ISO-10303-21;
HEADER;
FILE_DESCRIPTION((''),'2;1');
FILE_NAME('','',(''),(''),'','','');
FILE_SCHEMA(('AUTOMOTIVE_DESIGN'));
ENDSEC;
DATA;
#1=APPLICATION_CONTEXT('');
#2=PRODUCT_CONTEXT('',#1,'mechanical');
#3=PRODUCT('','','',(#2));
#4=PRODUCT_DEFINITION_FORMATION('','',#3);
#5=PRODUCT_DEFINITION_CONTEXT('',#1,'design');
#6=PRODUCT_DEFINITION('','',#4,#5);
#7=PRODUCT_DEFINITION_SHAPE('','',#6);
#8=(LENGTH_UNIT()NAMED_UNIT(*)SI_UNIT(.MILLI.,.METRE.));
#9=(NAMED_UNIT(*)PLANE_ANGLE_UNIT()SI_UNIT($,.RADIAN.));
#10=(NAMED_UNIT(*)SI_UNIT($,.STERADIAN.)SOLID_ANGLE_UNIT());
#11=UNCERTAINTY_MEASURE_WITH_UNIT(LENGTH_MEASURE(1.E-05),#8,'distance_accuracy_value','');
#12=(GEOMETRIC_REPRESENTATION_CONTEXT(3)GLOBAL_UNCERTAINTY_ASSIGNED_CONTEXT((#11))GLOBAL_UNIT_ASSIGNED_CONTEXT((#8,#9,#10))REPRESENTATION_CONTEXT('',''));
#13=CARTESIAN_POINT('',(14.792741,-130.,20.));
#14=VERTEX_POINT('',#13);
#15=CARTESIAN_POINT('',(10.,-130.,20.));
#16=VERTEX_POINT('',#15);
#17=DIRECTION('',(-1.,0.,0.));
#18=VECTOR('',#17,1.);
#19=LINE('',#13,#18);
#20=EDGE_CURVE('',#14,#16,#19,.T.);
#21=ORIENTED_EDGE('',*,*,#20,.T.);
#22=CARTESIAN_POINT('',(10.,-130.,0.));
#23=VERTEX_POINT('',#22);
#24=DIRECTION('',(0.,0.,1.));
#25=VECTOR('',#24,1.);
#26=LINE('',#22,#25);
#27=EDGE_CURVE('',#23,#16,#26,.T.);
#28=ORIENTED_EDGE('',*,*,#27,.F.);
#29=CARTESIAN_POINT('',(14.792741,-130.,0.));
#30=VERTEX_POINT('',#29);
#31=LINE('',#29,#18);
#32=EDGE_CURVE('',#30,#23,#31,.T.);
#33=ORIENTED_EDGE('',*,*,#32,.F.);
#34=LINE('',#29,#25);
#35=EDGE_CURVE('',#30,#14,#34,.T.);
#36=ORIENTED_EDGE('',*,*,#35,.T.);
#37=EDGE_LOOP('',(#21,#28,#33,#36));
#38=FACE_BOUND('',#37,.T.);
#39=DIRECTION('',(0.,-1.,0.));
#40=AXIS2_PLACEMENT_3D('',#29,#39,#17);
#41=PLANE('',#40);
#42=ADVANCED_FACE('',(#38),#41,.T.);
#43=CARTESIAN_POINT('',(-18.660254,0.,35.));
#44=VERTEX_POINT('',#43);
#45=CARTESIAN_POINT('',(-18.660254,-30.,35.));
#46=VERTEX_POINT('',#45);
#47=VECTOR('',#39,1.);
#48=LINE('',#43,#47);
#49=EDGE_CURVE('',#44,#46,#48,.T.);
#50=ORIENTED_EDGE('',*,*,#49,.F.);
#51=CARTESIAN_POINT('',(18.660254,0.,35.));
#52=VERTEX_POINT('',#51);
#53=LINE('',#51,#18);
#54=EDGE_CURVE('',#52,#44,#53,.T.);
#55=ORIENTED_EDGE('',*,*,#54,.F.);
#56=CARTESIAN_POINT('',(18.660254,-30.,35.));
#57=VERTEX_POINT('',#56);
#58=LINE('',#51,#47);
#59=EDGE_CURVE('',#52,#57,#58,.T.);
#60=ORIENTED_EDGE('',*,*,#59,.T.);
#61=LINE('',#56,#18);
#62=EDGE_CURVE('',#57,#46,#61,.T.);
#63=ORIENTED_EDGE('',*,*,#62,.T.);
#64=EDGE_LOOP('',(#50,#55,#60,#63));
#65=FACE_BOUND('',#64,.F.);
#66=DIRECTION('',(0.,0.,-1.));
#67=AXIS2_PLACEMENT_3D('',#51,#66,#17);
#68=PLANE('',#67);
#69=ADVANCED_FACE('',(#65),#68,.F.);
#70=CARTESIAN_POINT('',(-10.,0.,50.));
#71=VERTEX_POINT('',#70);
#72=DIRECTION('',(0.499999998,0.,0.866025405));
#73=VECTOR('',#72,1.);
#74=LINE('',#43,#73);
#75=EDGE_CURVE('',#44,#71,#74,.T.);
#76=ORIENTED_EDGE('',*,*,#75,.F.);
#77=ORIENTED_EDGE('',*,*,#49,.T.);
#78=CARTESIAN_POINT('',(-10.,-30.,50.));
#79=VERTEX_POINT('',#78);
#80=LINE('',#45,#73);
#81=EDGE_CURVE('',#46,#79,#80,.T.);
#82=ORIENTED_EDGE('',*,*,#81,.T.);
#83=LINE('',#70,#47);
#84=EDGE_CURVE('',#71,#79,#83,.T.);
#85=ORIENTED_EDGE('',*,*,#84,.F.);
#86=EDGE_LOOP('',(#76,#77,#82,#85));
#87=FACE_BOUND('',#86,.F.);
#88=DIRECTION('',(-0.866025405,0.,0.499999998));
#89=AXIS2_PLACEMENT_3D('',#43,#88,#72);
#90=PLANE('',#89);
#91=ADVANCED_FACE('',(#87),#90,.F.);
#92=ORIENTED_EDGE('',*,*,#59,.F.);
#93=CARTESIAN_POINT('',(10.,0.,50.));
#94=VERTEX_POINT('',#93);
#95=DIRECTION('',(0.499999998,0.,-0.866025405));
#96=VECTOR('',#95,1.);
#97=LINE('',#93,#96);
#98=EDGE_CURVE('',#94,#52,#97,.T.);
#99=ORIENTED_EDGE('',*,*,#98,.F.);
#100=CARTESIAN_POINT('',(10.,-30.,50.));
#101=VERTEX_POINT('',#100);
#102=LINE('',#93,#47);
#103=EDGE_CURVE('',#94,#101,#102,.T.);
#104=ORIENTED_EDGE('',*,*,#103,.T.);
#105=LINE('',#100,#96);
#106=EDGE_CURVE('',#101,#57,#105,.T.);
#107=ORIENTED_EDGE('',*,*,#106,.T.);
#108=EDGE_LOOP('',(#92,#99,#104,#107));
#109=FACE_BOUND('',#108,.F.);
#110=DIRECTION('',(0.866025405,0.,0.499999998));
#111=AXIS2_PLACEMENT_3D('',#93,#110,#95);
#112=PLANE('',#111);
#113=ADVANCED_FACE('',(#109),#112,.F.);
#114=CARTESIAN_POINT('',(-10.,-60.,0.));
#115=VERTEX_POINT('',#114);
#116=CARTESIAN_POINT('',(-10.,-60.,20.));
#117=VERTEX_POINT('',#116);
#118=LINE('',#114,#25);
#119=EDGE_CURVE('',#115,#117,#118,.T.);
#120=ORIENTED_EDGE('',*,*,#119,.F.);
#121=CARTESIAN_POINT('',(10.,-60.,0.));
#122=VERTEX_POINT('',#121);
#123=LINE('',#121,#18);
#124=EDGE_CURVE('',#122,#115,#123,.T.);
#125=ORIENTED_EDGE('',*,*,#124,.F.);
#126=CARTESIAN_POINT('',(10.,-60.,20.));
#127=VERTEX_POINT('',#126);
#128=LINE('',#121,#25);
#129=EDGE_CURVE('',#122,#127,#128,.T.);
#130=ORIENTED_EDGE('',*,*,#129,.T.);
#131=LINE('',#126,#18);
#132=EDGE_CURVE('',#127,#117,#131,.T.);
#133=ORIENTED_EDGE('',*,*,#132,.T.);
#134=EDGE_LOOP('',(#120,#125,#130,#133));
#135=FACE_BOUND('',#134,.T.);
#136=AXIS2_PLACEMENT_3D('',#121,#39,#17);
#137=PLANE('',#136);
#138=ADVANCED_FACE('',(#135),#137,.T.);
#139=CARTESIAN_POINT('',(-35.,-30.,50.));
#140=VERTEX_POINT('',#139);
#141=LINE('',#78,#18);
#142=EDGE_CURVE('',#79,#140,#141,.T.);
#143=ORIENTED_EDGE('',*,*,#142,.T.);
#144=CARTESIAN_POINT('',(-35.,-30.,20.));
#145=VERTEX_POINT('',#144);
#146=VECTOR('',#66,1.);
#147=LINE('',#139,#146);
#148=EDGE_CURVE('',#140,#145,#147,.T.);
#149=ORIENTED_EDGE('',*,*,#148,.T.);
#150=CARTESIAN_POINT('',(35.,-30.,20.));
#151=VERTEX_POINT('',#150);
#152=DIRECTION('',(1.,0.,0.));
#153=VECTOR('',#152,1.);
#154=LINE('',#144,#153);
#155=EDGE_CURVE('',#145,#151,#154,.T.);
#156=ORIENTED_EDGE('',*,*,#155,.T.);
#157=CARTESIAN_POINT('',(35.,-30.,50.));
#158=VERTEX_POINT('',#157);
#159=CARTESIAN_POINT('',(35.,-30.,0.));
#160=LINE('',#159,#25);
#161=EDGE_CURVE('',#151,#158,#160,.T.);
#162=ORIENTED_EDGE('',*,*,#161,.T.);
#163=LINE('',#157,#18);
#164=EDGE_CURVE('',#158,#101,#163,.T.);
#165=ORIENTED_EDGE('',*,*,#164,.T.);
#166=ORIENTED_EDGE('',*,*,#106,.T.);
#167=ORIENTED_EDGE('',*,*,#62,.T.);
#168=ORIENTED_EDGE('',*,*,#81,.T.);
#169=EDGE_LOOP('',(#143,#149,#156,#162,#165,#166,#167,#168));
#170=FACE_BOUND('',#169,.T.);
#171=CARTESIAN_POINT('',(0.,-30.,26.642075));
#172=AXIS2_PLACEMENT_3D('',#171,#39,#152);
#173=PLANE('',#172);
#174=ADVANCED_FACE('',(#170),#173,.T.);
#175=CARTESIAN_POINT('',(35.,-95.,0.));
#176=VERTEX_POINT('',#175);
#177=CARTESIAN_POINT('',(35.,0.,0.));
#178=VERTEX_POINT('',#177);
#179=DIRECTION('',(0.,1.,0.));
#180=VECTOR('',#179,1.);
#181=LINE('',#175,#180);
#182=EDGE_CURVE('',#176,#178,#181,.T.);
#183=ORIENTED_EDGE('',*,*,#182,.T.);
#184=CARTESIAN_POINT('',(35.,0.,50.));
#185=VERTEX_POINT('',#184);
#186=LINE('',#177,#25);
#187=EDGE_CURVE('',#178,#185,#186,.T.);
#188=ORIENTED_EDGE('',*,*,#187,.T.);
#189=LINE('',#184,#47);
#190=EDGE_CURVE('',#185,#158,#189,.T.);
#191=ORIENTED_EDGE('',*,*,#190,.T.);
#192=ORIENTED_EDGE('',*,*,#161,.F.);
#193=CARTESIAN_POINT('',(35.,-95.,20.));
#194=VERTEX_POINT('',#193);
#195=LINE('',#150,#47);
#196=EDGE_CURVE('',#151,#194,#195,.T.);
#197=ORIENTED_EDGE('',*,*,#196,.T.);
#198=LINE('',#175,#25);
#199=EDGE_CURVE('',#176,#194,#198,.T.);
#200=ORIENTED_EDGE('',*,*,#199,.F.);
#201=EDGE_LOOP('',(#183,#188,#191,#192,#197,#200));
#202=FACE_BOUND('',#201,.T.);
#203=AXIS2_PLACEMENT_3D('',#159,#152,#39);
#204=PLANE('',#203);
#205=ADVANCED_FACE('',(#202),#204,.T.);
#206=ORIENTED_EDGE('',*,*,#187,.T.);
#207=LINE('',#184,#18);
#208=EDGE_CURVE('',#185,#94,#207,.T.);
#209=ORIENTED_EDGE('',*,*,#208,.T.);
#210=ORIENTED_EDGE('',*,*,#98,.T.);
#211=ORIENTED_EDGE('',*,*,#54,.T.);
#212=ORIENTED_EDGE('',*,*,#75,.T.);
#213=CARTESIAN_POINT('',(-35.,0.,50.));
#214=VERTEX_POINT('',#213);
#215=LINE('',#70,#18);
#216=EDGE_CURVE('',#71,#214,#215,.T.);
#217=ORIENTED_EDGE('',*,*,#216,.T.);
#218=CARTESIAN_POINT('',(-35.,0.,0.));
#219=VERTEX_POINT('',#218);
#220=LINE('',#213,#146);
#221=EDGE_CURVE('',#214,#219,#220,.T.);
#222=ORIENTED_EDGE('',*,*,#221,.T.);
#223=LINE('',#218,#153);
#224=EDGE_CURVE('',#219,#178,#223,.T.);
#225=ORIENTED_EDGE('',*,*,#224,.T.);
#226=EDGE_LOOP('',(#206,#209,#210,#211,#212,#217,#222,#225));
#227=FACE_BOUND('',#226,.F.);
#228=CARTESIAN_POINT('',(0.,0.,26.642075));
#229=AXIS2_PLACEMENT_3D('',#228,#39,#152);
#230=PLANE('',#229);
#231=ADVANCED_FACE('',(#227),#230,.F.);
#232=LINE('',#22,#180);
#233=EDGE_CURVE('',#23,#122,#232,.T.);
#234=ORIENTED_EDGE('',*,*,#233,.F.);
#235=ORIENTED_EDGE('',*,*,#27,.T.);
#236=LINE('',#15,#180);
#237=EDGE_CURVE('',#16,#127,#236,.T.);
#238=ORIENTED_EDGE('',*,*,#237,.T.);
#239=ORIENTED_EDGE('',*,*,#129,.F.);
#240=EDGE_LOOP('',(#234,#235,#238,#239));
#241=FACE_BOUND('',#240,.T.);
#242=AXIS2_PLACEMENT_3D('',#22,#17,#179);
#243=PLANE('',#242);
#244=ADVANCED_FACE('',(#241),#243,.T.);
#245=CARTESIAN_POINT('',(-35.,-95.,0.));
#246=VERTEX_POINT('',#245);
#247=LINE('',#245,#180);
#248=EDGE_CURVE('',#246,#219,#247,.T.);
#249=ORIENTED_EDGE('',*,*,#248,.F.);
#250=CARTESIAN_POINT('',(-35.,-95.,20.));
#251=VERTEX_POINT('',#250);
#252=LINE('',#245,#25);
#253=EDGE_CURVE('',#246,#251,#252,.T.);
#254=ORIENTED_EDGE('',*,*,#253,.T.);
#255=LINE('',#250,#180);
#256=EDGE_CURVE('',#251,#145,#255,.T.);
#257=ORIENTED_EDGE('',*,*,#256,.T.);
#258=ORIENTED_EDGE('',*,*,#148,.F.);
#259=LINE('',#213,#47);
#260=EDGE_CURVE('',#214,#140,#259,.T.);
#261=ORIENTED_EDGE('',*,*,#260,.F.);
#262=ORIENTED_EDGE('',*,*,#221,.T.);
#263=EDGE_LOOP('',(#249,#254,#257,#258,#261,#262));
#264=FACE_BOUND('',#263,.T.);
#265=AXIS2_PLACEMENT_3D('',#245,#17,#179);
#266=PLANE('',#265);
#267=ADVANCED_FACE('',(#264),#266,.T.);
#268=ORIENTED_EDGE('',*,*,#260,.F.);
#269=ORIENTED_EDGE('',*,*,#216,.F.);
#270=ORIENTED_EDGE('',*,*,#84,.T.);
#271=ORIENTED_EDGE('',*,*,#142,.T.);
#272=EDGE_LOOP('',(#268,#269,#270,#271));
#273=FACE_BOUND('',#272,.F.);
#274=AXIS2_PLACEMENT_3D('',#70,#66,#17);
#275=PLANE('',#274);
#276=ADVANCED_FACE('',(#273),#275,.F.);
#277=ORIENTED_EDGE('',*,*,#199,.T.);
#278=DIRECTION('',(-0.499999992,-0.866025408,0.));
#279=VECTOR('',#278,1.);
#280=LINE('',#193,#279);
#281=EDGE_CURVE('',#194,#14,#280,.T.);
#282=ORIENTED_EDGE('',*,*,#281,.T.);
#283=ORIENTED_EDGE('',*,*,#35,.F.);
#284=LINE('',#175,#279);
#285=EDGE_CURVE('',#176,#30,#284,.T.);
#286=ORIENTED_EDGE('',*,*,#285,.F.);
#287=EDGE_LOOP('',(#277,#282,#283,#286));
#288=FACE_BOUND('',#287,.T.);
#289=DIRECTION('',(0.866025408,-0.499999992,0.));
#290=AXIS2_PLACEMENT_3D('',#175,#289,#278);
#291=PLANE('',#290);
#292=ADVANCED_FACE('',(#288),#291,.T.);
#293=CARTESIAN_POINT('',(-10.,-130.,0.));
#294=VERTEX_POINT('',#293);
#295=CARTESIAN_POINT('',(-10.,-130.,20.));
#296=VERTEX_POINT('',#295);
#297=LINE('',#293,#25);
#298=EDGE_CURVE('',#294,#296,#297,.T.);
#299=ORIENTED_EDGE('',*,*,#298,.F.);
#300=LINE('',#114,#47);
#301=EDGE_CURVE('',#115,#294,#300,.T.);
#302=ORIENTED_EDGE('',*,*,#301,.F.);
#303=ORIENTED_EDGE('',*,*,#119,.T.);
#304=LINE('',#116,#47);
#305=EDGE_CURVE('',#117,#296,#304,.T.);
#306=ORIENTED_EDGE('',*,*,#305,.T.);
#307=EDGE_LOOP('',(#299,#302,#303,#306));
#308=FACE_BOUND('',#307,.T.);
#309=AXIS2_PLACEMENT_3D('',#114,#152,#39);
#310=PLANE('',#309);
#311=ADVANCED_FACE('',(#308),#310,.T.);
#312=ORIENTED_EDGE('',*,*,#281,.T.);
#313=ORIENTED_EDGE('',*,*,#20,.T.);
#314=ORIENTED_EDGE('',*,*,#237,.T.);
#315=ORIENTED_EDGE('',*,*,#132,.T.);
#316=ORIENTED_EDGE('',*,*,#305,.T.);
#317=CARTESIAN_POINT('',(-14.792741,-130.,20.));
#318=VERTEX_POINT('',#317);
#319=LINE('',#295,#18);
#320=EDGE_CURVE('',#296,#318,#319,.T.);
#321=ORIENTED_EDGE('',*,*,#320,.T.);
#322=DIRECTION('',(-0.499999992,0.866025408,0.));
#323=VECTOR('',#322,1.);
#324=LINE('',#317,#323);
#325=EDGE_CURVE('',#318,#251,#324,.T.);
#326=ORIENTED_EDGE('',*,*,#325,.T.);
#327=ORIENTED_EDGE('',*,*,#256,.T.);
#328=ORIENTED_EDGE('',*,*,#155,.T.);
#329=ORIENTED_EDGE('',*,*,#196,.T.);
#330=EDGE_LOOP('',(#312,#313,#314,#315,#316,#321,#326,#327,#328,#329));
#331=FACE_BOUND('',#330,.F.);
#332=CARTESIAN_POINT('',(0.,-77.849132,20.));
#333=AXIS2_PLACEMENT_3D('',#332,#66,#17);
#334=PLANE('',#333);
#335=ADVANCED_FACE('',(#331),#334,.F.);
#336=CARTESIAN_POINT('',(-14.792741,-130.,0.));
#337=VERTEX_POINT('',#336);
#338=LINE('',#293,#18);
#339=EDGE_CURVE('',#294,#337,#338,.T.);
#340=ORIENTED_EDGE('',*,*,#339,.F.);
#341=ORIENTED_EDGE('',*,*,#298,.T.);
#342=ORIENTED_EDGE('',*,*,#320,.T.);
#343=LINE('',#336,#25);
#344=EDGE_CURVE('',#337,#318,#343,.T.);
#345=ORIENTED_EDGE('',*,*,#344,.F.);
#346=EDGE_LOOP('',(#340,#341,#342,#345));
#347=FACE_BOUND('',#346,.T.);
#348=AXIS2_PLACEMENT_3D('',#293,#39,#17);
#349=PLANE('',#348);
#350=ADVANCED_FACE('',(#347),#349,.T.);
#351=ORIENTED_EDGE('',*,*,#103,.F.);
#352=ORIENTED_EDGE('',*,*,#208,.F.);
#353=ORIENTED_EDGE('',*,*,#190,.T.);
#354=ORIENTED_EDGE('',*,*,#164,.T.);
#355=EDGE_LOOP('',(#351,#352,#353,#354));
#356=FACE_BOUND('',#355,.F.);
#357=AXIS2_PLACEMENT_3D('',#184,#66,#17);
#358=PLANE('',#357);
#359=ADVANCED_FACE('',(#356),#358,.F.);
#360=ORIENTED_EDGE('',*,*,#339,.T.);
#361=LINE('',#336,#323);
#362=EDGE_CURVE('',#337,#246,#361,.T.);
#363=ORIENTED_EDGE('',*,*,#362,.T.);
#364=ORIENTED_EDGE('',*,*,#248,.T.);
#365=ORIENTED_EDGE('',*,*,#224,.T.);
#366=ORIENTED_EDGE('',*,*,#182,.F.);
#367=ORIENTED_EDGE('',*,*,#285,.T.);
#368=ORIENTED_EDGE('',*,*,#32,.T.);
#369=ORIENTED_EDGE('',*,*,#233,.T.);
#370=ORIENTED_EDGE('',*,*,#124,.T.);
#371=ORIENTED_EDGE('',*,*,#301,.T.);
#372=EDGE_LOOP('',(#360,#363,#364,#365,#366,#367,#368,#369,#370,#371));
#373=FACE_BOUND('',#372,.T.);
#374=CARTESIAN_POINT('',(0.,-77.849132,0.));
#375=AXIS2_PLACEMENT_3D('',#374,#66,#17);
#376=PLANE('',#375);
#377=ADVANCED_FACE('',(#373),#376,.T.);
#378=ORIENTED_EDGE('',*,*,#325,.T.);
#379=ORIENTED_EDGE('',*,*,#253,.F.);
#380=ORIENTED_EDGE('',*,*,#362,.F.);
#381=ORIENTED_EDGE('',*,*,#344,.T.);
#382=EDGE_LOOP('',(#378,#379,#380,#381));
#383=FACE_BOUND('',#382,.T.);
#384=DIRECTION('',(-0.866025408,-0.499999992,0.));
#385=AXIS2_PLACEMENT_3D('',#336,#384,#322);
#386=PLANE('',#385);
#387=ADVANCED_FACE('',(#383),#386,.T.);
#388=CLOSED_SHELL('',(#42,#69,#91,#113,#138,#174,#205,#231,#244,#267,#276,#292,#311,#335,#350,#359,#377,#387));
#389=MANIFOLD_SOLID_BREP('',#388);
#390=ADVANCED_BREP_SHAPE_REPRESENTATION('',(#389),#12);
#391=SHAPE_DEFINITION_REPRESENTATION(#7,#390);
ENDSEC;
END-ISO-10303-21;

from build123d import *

# Parameters (mm, degrees)
PAD_DEPTH    = 20
PAD001_DEPTH = 30


with BuildPart() as pad:
    # Sketch → Pad (new body)
    with BuildSketch(Plane.XY):
        Polygon((-35, -30), (35, -30), (35, -95), (14.792741, -130), (10, -130), (10, -60), (-10, -60), (-10, -130), (-14.792741, -130), (-35, -95), align=None)
    extrude(amount=PAD_DEPTH)


with BuildPart() as fusion:
    # Sketch001 → Pad001 (new body)
    with BuildSketch(Plane.XZ):
        Polygon((-35, 0), (35, 0), (35, 50), (10, 50), (18.660254, 35), (-18.660254, 35), (-10, 50), (-35, 50), align=None)
    extrude(amount=PAD001_DEPTH)

    # Fusion: union Pad
    add(pad.part)


solid = fusion.part
